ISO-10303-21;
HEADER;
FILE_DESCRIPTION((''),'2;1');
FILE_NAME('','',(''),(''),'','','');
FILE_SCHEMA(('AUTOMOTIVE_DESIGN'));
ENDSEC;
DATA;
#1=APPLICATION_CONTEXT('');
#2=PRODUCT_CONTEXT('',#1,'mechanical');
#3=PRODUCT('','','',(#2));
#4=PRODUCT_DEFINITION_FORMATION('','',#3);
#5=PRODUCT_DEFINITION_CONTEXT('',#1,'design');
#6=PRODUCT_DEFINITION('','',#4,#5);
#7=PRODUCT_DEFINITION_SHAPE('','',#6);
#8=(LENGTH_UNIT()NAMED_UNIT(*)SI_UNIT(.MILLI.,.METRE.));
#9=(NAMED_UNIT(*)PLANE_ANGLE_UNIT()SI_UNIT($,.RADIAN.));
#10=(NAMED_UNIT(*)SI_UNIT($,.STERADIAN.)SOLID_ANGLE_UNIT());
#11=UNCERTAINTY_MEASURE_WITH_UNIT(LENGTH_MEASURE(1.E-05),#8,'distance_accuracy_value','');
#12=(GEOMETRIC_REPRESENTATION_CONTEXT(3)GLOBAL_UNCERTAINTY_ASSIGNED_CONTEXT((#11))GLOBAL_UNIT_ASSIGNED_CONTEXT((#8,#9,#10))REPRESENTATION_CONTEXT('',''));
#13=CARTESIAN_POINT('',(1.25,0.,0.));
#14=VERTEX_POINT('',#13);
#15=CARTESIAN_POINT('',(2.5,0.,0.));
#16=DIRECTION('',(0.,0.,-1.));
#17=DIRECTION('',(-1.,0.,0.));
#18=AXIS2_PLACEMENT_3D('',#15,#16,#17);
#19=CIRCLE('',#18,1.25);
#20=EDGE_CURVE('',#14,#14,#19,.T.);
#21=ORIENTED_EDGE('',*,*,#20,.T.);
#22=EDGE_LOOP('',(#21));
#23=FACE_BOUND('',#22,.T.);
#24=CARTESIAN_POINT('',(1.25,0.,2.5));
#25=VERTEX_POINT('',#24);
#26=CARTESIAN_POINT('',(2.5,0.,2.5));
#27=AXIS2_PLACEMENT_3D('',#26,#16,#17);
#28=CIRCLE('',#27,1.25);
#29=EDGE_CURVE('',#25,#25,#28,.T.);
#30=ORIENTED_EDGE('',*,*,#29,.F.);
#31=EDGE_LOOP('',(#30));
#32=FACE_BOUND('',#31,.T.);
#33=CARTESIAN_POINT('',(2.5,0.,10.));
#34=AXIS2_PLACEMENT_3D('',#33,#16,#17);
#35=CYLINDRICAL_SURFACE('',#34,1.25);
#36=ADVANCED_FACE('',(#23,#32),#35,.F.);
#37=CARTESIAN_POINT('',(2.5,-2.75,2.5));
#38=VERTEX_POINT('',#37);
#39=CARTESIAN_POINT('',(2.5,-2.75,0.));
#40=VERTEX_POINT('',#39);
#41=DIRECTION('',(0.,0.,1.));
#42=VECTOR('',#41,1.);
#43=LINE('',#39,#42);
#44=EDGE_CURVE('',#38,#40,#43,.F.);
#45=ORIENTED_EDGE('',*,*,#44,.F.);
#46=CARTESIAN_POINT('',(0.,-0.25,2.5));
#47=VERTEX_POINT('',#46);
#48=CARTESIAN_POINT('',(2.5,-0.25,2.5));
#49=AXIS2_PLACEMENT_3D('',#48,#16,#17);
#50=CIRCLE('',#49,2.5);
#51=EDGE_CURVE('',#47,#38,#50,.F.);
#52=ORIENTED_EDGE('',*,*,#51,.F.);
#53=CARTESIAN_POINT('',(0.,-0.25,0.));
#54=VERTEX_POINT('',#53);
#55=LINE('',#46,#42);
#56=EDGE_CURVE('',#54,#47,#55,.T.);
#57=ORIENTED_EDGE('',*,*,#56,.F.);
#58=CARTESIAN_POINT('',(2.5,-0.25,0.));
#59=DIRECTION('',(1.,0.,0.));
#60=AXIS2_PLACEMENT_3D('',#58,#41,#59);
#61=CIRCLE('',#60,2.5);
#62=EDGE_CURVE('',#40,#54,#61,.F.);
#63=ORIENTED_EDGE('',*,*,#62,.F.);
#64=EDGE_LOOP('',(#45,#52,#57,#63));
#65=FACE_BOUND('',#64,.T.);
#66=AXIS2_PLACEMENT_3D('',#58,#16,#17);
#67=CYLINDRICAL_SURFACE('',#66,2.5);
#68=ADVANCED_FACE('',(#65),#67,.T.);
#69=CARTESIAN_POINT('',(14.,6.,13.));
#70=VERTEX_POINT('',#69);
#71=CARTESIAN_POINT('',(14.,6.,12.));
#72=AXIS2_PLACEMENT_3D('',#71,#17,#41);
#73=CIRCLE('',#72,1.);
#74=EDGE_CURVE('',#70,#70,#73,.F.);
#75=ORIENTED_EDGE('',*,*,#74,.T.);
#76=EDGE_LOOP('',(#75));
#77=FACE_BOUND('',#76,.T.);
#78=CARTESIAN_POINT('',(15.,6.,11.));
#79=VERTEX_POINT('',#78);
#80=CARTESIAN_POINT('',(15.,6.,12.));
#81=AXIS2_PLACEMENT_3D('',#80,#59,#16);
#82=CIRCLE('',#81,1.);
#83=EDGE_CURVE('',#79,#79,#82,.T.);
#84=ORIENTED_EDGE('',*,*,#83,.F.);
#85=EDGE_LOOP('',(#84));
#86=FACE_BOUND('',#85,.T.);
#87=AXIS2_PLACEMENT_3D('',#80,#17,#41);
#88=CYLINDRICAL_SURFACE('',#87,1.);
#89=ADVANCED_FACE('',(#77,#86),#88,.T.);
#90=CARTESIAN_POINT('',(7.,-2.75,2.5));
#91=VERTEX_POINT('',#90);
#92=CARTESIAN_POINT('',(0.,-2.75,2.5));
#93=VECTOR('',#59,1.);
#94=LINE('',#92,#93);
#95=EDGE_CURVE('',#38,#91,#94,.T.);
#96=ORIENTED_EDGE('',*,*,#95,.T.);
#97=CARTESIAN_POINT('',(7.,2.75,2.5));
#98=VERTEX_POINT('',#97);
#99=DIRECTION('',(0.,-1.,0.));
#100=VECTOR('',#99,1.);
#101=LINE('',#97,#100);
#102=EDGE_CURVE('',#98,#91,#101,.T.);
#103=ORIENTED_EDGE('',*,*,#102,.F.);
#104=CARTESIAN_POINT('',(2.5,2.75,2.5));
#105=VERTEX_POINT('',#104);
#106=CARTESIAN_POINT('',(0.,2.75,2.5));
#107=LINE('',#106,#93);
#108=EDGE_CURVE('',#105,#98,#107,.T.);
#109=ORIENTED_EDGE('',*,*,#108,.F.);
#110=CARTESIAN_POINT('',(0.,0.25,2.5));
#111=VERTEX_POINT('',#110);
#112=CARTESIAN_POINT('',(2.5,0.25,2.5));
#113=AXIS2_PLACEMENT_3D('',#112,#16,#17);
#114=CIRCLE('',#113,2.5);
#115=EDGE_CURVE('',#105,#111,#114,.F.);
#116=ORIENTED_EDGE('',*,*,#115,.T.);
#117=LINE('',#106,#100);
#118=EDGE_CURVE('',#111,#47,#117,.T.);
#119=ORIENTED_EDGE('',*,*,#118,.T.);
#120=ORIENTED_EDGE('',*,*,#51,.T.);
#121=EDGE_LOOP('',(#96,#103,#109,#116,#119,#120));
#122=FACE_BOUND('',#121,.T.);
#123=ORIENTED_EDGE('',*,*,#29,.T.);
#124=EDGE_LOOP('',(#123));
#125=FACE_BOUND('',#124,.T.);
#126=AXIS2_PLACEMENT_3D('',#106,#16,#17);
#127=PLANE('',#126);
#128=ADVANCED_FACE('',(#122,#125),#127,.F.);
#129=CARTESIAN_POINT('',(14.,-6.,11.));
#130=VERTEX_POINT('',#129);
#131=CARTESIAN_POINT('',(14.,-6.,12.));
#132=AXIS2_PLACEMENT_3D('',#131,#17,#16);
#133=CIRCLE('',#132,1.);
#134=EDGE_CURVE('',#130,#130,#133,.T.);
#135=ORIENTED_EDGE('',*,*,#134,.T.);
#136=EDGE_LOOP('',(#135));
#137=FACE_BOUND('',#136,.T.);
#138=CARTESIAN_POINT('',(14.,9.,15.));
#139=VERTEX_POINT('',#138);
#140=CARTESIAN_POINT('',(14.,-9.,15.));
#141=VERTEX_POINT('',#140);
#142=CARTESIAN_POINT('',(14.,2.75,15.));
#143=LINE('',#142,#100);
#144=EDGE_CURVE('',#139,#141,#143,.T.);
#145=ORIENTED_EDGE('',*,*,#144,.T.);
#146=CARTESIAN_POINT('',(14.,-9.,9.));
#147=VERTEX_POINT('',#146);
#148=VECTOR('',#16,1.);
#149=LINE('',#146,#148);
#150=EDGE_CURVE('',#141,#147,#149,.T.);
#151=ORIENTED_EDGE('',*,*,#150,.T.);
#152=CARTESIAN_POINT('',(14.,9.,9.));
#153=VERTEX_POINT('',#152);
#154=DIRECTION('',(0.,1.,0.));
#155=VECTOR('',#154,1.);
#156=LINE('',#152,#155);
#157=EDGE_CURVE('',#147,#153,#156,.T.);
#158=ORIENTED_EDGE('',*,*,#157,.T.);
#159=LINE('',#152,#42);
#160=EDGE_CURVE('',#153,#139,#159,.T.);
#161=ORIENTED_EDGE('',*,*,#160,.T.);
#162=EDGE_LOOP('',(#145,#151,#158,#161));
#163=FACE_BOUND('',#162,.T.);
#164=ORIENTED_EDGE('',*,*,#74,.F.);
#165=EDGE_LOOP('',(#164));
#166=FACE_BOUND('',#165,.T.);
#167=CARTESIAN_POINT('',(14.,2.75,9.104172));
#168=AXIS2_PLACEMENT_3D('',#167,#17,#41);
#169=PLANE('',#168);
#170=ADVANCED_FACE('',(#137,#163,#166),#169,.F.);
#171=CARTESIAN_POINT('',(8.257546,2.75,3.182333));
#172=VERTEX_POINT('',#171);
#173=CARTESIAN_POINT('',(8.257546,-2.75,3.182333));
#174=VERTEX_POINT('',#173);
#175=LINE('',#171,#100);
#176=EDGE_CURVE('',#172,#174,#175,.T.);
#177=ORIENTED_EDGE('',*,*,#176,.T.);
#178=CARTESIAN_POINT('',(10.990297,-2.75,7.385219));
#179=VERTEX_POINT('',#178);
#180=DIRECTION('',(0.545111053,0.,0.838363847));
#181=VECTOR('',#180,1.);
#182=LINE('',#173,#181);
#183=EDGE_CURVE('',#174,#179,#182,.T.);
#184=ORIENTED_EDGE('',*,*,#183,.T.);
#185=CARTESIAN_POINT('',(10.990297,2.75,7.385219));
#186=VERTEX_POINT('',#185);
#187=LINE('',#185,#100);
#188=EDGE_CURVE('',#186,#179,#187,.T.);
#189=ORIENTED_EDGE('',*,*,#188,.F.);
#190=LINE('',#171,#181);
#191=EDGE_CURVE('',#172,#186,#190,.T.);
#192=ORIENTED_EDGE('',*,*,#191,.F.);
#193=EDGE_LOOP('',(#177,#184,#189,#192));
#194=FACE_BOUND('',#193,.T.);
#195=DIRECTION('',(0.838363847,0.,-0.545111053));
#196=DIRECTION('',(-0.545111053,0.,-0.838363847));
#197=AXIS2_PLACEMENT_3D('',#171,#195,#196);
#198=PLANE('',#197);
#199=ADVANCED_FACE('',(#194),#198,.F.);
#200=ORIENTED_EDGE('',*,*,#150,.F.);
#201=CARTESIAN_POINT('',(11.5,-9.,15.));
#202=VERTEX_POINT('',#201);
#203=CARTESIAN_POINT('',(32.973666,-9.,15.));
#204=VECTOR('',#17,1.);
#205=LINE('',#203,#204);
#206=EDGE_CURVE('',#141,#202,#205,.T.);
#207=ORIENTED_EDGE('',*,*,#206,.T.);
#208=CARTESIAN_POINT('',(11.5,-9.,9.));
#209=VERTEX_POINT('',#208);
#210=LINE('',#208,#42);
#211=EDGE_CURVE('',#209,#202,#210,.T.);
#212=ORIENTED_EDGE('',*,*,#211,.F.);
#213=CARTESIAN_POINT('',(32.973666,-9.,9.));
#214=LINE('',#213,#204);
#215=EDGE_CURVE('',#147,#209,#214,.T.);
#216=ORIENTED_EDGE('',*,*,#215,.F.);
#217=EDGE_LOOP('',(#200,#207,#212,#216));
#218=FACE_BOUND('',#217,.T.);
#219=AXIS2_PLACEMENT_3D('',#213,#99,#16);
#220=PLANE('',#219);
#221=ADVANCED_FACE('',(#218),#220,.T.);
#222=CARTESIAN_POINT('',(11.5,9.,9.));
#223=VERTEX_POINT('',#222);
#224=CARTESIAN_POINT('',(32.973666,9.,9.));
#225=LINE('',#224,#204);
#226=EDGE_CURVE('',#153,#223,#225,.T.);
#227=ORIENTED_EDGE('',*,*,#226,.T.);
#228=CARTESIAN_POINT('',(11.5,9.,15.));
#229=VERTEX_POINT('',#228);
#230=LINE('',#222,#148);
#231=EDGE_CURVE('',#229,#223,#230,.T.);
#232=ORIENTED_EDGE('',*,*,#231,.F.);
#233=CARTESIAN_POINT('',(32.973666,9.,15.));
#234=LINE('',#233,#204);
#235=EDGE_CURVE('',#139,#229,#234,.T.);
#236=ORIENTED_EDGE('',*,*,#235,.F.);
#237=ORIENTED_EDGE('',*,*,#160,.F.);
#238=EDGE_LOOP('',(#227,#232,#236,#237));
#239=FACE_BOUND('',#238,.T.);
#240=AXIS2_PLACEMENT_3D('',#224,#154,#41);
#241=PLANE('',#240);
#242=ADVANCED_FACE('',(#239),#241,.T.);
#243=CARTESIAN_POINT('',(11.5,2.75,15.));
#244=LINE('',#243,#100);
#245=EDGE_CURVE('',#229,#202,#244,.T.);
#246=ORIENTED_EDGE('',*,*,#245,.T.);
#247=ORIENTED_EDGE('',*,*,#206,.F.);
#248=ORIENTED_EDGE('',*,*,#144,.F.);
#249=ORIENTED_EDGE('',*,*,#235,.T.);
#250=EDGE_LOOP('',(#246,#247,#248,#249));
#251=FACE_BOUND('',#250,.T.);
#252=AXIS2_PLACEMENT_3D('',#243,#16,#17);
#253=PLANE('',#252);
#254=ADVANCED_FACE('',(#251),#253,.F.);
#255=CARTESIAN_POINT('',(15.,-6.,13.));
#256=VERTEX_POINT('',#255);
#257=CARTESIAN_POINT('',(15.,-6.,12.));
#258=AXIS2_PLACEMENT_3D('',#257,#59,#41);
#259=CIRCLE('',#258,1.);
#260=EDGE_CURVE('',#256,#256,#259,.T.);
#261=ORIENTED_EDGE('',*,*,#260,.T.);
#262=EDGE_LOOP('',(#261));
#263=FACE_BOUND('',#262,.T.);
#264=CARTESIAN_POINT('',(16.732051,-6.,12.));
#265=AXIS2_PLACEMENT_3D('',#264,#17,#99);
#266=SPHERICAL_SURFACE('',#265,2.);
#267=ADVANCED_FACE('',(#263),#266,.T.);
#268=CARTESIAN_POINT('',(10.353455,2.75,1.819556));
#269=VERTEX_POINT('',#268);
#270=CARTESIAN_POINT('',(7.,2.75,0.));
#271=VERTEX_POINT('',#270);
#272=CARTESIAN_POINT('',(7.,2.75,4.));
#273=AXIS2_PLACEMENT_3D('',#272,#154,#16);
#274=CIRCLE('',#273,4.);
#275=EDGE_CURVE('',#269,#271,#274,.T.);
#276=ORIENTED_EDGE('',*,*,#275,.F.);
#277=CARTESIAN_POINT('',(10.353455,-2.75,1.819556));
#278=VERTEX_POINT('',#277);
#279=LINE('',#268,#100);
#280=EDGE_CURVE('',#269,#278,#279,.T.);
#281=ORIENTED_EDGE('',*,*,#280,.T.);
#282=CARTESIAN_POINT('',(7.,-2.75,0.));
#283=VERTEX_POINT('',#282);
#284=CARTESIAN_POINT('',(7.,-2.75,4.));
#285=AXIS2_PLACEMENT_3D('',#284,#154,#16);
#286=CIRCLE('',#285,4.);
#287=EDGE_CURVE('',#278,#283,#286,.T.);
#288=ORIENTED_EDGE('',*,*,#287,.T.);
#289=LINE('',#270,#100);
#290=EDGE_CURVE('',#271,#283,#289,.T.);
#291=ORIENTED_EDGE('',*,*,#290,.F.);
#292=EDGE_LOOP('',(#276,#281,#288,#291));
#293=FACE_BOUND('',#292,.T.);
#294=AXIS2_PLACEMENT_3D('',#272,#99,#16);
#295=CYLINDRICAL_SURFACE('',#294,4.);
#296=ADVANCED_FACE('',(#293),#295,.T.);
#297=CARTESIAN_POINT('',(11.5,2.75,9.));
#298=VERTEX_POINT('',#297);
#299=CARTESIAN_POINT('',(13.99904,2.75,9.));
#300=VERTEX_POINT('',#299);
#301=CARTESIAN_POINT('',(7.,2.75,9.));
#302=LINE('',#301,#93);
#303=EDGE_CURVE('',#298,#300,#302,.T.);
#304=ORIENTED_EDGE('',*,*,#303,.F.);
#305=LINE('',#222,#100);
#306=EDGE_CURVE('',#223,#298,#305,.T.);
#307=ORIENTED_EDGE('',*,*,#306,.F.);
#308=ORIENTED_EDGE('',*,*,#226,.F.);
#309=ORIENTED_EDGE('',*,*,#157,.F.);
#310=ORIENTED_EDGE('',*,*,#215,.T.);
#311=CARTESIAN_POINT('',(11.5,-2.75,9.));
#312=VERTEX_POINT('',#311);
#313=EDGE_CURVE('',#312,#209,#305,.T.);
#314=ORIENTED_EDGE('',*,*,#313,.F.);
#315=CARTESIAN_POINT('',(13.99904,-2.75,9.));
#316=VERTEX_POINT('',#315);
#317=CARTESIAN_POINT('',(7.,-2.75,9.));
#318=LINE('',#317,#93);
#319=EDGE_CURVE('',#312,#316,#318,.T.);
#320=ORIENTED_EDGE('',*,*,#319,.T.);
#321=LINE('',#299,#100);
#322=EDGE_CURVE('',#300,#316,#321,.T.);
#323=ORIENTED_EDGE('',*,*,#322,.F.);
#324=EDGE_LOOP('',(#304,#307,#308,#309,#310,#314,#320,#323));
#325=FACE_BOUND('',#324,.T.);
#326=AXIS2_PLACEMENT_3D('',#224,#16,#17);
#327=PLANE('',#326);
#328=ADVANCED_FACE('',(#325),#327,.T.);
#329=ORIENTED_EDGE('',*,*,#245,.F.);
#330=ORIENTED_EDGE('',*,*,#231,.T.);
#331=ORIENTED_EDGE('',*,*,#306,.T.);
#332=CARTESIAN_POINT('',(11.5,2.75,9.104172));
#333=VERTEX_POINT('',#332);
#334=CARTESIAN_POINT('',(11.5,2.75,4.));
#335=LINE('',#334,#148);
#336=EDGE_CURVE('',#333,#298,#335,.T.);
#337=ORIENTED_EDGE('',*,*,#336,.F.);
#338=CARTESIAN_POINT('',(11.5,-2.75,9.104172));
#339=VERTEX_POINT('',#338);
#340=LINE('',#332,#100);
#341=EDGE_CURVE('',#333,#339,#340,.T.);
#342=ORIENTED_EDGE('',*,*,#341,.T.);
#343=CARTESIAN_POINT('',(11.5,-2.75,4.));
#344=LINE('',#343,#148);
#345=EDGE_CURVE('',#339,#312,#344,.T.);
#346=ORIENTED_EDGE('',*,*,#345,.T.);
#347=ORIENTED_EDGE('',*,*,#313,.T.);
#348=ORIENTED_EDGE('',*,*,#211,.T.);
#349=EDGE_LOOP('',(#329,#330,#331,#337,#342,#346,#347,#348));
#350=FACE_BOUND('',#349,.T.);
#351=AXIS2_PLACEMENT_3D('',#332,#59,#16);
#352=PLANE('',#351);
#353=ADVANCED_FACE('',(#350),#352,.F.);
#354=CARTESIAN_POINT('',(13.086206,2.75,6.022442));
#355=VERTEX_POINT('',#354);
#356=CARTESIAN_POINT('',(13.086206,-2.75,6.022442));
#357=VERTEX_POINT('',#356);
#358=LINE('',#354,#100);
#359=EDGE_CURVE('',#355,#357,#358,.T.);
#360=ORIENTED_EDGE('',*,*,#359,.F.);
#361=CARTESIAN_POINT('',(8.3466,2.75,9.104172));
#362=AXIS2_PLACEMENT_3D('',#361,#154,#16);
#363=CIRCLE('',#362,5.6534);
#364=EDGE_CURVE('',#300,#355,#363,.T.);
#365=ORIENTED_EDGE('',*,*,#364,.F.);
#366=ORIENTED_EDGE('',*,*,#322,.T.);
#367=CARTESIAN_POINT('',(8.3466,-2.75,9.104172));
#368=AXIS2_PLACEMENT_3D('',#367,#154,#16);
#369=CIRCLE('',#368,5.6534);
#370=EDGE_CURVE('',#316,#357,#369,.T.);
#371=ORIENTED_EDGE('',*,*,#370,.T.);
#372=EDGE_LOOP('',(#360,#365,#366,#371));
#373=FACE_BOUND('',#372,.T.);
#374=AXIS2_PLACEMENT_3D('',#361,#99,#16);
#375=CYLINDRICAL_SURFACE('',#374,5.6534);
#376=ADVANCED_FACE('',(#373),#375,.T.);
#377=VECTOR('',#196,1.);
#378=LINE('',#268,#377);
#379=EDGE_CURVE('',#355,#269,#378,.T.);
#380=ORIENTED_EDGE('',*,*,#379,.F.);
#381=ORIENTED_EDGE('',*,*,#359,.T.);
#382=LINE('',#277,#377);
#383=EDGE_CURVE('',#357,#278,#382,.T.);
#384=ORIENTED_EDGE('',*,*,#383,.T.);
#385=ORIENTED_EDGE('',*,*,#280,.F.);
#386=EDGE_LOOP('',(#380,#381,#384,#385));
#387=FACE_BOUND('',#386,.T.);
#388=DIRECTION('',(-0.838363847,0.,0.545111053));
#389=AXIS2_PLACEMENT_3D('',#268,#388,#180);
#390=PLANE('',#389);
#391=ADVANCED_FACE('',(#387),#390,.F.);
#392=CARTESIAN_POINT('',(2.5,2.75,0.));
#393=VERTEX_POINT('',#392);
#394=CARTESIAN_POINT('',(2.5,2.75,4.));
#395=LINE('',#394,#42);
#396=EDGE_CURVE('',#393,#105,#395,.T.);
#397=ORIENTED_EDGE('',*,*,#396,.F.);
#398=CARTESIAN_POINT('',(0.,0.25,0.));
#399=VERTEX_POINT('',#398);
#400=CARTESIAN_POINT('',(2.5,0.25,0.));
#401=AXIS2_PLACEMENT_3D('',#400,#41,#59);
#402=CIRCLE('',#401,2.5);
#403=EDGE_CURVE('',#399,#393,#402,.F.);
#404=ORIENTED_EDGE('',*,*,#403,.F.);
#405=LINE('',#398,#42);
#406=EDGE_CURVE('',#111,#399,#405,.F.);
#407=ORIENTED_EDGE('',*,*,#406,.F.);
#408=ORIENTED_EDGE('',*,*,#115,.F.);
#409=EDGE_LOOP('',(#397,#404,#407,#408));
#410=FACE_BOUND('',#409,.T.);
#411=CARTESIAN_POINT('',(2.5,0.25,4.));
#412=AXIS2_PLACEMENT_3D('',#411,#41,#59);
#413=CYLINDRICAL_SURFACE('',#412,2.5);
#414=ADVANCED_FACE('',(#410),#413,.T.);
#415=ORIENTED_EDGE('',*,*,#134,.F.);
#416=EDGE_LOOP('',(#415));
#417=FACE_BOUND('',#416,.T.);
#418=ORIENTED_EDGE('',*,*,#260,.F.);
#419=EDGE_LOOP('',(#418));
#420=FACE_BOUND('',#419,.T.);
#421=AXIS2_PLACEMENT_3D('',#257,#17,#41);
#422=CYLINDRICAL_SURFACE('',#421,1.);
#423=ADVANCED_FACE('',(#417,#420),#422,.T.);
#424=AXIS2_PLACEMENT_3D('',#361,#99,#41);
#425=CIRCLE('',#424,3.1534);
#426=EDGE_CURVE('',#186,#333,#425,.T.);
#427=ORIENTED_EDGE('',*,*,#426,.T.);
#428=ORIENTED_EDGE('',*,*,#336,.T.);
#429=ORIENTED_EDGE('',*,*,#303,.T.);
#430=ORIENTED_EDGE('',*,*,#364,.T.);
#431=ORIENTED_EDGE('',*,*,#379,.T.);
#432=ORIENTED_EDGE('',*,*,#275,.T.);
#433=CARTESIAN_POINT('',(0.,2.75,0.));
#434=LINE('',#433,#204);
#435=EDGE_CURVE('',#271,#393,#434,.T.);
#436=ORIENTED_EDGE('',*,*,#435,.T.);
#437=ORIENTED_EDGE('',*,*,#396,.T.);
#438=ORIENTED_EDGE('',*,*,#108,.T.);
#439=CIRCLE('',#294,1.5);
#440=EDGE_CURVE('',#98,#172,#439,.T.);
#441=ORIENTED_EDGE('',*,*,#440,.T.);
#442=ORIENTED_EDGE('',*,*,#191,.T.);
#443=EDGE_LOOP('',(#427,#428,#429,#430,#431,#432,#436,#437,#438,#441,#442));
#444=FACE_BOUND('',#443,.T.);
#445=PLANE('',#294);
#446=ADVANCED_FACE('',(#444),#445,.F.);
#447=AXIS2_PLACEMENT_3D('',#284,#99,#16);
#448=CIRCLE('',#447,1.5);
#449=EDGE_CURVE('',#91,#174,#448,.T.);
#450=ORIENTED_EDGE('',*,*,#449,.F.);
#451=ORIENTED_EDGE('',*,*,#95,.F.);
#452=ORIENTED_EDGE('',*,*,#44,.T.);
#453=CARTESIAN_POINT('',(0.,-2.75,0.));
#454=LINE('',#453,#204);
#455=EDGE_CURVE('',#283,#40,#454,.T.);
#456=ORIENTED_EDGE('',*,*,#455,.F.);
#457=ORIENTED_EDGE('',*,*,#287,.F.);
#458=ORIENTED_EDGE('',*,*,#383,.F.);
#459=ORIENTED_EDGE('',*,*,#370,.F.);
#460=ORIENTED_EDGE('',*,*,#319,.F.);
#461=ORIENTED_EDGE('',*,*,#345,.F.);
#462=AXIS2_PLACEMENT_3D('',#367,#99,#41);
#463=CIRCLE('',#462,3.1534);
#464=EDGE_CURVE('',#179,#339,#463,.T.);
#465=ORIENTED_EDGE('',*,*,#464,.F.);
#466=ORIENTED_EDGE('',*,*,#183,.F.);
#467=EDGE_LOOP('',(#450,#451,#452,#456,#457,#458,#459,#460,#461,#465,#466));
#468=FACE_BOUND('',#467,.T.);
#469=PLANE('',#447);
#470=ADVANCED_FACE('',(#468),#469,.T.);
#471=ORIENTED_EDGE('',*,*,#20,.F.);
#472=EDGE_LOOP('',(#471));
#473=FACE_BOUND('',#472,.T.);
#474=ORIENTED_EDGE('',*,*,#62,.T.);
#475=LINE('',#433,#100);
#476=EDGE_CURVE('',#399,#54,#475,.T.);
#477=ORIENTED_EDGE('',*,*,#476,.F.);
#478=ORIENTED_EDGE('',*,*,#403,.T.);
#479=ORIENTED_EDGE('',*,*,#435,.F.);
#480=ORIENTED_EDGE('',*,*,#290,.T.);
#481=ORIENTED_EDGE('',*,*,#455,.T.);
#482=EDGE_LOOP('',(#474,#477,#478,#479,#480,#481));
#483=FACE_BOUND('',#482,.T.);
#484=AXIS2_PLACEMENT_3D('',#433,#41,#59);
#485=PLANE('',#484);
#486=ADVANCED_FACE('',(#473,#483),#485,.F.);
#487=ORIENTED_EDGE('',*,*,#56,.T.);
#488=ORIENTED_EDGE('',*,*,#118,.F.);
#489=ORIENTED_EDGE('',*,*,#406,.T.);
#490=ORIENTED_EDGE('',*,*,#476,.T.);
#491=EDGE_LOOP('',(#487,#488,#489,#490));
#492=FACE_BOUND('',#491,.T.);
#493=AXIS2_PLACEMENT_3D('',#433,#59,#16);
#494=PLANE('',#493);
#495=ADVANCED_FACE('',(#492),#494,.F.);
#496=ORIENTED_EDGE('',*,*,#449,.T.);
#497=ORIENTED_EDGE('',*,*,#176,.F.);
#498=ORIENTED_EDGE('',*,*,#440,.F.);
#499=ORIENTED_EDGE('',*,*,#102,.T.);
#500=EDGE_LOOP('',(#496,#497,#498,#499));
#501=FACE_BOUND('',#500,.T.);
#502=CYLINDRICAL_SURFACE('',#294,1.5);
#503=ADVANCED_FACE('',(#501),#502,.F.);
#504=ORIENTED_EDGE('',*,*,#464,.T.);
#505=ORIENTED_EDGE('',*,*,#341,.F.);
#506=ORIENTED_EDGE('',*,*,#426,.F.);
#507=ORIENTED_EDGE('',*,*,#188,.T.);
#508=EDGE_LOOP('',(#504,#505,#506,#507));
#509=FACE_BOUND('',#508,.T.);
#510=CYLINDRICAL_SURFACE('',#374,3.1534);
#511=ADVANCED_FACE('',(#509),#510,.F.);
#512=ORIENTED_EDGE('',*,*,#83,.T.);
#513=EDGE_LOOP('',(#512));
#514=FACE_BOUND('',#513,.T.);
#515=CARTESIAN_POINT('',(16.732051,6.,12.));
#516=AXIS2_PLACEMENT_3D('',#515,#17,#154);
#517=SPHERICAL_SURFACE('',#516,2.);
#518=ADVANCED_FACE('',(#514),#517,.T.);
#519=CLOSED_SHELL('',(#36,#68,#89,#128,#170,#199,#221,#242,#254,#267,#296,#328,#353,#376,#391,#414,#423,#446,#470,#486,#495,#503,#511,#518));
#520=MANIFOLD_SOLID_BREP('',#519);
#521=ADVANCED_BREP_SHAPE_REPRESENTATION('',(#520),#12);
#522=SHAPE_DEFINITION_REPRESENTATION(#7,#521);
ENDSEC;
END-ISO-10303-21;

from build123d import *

# Parameters (mm, degrees)
EXTRUDE_1_DEPTH     = 2.75
SKETCH_2_R          = 1.25
CUT_EXTRUDE_1_DEPTH = 10
FILLET_2_R          = 2.5
EXTRUDE_2_REACH     = 21.1
SKETCH_4_W          = 6
SKETCH_4_H          = 18
SKETCH_5_R          = 1
EXTRUDE_3_DEPTH     = 1


with BuildPart() as part:
    # 草图1 → 凸台-拉伸1 (new, symmetric)
    with BuildSketch(Plane(origin=(0, 0, 0), x_dir=(1, 0, 0), z_dir=(0, 1, 0))):
        with BuildLine():
            Line((0, 0), (7, 0))
            ThreePointArc((7, 0), (8.907645559, -0.484194485), (10.353455389, -1.819555789))
            Line((10.353455389, -1.819555789), (13.08620622, -6.022441585))
            ThreePointArc((13.08620622, -6.022441585), (13.76673936, -7.496994372), (14, -9.104172255))
            Line((14, -9.104172255), (14, -15))
            Line((14, -15), (11.5, -15))
            Line((11.5, -15), (11.5, -9.104172255))
            ThreePointArc((11.5, -9.104172255), (11.369889965, -8.207707378), (10.990296602, -7.385219216))
            Line((10.990296602, -7.385219216), (8.257545771, -3.182333421))
            ThreePointArc((8.257545771, -3.182333421), (7.715367085, -2.681572932), (7, -2.5))
            Line((7, -2.5), (0, -2.5))
            Line((0, -2.5), (0, 0))
        make_face()
    extrude(amount=EXTRUDE_1_DEPTH, both=True)

    # 草图2 → 切除-拉伸1 (cut)
    with BuildSketch(Plane(origin=(0, 0, 0), x_dir=(-1, 0, 0), z_dir=(0, 0, -1))):
        with Locations((-2.5, 0)):
            Circle(SKETCH_2_R)
    extrude(amount=-CUT_EXTRUDE_1_DEPTH, mode=Mode.SUBTRACT)

    # 圆角2
    fillet_2_edges = [part.edges().sort_by_distance(p)[0] for p in [
        (0, -2.75, 1.25),
        (0, 2.75, 1.25),
    ]]
    fillet(fillet_2_edges, radius=FILLET_2_R)

    # 凸台-拉伸2: up to this face of the body (flat: up to its plane)
    extrude_2_end = Plane(part.part.faces().sort_by_distance((14, 0, 12.052086128))[0])
    # 草图4 → 凸台-拉伸2 (add, up to the picked face)
    with BuildSketch(Plane.ZY.offset(-11.5), mode=Mode.PRIVATE) as extrude_2_sk1:
        with Locations((12, 0)):
            Rectangle(SKETCH_4_W, SKETCH_4_H)
    extrude_2_tool1 = split(extrude(extrude_2_sk1.sketch, amount=-EXTRUDE_2_REACH, mode=Mode.PRIVATE), bisect_by=extrude_2_end, keep=Keep.BOTH, mode=Mode.PRIVATE)
    add(extrude_2_tool1.solids().sort_by(Axis((11.5, 0, 12), (1, 0, 0)))[0])

    # 草图5 → 凸台-拉伸3 (add)
    with BuildSketch(Plane(origin=(14, 0, 0), x_dir=(0, 0, -1), z_dir=(1, 0, 0))):
        with Locations(Location((-12, 6, 0), (0, 0, 180))):
            Circle(SKETCH_5_R)
    extrude_3 = extrude(amount=EXTRUDE_3_DEPTH)

    # 草图6 → 旋转1 (revolve)
    with BuildSketch(Plane(origin=(0, 0, 12), x_dir=(-1, 0, 0), z_dir=(0, 0, -1))):
        with BuildLine():
            Line((-15, 6), (-18.732050808, 6))
            ThreePointArc((-18.732050808, 6), (-17.249688898, 7.931851653), (-15, 7))
            Line((-15, 7), (-15, 6))
        make_face()
    revolve_1 = revolve(axis=Axis((15, 6, 12), (1, 0, 0)))

    # 镜向1: 凸台-拉伸3, 旋转1 across plane
    add(extrude_3.mirror(Plane.ZX))
    add(revolve_1.mirror(Plane.ZX))


solid = part.part
